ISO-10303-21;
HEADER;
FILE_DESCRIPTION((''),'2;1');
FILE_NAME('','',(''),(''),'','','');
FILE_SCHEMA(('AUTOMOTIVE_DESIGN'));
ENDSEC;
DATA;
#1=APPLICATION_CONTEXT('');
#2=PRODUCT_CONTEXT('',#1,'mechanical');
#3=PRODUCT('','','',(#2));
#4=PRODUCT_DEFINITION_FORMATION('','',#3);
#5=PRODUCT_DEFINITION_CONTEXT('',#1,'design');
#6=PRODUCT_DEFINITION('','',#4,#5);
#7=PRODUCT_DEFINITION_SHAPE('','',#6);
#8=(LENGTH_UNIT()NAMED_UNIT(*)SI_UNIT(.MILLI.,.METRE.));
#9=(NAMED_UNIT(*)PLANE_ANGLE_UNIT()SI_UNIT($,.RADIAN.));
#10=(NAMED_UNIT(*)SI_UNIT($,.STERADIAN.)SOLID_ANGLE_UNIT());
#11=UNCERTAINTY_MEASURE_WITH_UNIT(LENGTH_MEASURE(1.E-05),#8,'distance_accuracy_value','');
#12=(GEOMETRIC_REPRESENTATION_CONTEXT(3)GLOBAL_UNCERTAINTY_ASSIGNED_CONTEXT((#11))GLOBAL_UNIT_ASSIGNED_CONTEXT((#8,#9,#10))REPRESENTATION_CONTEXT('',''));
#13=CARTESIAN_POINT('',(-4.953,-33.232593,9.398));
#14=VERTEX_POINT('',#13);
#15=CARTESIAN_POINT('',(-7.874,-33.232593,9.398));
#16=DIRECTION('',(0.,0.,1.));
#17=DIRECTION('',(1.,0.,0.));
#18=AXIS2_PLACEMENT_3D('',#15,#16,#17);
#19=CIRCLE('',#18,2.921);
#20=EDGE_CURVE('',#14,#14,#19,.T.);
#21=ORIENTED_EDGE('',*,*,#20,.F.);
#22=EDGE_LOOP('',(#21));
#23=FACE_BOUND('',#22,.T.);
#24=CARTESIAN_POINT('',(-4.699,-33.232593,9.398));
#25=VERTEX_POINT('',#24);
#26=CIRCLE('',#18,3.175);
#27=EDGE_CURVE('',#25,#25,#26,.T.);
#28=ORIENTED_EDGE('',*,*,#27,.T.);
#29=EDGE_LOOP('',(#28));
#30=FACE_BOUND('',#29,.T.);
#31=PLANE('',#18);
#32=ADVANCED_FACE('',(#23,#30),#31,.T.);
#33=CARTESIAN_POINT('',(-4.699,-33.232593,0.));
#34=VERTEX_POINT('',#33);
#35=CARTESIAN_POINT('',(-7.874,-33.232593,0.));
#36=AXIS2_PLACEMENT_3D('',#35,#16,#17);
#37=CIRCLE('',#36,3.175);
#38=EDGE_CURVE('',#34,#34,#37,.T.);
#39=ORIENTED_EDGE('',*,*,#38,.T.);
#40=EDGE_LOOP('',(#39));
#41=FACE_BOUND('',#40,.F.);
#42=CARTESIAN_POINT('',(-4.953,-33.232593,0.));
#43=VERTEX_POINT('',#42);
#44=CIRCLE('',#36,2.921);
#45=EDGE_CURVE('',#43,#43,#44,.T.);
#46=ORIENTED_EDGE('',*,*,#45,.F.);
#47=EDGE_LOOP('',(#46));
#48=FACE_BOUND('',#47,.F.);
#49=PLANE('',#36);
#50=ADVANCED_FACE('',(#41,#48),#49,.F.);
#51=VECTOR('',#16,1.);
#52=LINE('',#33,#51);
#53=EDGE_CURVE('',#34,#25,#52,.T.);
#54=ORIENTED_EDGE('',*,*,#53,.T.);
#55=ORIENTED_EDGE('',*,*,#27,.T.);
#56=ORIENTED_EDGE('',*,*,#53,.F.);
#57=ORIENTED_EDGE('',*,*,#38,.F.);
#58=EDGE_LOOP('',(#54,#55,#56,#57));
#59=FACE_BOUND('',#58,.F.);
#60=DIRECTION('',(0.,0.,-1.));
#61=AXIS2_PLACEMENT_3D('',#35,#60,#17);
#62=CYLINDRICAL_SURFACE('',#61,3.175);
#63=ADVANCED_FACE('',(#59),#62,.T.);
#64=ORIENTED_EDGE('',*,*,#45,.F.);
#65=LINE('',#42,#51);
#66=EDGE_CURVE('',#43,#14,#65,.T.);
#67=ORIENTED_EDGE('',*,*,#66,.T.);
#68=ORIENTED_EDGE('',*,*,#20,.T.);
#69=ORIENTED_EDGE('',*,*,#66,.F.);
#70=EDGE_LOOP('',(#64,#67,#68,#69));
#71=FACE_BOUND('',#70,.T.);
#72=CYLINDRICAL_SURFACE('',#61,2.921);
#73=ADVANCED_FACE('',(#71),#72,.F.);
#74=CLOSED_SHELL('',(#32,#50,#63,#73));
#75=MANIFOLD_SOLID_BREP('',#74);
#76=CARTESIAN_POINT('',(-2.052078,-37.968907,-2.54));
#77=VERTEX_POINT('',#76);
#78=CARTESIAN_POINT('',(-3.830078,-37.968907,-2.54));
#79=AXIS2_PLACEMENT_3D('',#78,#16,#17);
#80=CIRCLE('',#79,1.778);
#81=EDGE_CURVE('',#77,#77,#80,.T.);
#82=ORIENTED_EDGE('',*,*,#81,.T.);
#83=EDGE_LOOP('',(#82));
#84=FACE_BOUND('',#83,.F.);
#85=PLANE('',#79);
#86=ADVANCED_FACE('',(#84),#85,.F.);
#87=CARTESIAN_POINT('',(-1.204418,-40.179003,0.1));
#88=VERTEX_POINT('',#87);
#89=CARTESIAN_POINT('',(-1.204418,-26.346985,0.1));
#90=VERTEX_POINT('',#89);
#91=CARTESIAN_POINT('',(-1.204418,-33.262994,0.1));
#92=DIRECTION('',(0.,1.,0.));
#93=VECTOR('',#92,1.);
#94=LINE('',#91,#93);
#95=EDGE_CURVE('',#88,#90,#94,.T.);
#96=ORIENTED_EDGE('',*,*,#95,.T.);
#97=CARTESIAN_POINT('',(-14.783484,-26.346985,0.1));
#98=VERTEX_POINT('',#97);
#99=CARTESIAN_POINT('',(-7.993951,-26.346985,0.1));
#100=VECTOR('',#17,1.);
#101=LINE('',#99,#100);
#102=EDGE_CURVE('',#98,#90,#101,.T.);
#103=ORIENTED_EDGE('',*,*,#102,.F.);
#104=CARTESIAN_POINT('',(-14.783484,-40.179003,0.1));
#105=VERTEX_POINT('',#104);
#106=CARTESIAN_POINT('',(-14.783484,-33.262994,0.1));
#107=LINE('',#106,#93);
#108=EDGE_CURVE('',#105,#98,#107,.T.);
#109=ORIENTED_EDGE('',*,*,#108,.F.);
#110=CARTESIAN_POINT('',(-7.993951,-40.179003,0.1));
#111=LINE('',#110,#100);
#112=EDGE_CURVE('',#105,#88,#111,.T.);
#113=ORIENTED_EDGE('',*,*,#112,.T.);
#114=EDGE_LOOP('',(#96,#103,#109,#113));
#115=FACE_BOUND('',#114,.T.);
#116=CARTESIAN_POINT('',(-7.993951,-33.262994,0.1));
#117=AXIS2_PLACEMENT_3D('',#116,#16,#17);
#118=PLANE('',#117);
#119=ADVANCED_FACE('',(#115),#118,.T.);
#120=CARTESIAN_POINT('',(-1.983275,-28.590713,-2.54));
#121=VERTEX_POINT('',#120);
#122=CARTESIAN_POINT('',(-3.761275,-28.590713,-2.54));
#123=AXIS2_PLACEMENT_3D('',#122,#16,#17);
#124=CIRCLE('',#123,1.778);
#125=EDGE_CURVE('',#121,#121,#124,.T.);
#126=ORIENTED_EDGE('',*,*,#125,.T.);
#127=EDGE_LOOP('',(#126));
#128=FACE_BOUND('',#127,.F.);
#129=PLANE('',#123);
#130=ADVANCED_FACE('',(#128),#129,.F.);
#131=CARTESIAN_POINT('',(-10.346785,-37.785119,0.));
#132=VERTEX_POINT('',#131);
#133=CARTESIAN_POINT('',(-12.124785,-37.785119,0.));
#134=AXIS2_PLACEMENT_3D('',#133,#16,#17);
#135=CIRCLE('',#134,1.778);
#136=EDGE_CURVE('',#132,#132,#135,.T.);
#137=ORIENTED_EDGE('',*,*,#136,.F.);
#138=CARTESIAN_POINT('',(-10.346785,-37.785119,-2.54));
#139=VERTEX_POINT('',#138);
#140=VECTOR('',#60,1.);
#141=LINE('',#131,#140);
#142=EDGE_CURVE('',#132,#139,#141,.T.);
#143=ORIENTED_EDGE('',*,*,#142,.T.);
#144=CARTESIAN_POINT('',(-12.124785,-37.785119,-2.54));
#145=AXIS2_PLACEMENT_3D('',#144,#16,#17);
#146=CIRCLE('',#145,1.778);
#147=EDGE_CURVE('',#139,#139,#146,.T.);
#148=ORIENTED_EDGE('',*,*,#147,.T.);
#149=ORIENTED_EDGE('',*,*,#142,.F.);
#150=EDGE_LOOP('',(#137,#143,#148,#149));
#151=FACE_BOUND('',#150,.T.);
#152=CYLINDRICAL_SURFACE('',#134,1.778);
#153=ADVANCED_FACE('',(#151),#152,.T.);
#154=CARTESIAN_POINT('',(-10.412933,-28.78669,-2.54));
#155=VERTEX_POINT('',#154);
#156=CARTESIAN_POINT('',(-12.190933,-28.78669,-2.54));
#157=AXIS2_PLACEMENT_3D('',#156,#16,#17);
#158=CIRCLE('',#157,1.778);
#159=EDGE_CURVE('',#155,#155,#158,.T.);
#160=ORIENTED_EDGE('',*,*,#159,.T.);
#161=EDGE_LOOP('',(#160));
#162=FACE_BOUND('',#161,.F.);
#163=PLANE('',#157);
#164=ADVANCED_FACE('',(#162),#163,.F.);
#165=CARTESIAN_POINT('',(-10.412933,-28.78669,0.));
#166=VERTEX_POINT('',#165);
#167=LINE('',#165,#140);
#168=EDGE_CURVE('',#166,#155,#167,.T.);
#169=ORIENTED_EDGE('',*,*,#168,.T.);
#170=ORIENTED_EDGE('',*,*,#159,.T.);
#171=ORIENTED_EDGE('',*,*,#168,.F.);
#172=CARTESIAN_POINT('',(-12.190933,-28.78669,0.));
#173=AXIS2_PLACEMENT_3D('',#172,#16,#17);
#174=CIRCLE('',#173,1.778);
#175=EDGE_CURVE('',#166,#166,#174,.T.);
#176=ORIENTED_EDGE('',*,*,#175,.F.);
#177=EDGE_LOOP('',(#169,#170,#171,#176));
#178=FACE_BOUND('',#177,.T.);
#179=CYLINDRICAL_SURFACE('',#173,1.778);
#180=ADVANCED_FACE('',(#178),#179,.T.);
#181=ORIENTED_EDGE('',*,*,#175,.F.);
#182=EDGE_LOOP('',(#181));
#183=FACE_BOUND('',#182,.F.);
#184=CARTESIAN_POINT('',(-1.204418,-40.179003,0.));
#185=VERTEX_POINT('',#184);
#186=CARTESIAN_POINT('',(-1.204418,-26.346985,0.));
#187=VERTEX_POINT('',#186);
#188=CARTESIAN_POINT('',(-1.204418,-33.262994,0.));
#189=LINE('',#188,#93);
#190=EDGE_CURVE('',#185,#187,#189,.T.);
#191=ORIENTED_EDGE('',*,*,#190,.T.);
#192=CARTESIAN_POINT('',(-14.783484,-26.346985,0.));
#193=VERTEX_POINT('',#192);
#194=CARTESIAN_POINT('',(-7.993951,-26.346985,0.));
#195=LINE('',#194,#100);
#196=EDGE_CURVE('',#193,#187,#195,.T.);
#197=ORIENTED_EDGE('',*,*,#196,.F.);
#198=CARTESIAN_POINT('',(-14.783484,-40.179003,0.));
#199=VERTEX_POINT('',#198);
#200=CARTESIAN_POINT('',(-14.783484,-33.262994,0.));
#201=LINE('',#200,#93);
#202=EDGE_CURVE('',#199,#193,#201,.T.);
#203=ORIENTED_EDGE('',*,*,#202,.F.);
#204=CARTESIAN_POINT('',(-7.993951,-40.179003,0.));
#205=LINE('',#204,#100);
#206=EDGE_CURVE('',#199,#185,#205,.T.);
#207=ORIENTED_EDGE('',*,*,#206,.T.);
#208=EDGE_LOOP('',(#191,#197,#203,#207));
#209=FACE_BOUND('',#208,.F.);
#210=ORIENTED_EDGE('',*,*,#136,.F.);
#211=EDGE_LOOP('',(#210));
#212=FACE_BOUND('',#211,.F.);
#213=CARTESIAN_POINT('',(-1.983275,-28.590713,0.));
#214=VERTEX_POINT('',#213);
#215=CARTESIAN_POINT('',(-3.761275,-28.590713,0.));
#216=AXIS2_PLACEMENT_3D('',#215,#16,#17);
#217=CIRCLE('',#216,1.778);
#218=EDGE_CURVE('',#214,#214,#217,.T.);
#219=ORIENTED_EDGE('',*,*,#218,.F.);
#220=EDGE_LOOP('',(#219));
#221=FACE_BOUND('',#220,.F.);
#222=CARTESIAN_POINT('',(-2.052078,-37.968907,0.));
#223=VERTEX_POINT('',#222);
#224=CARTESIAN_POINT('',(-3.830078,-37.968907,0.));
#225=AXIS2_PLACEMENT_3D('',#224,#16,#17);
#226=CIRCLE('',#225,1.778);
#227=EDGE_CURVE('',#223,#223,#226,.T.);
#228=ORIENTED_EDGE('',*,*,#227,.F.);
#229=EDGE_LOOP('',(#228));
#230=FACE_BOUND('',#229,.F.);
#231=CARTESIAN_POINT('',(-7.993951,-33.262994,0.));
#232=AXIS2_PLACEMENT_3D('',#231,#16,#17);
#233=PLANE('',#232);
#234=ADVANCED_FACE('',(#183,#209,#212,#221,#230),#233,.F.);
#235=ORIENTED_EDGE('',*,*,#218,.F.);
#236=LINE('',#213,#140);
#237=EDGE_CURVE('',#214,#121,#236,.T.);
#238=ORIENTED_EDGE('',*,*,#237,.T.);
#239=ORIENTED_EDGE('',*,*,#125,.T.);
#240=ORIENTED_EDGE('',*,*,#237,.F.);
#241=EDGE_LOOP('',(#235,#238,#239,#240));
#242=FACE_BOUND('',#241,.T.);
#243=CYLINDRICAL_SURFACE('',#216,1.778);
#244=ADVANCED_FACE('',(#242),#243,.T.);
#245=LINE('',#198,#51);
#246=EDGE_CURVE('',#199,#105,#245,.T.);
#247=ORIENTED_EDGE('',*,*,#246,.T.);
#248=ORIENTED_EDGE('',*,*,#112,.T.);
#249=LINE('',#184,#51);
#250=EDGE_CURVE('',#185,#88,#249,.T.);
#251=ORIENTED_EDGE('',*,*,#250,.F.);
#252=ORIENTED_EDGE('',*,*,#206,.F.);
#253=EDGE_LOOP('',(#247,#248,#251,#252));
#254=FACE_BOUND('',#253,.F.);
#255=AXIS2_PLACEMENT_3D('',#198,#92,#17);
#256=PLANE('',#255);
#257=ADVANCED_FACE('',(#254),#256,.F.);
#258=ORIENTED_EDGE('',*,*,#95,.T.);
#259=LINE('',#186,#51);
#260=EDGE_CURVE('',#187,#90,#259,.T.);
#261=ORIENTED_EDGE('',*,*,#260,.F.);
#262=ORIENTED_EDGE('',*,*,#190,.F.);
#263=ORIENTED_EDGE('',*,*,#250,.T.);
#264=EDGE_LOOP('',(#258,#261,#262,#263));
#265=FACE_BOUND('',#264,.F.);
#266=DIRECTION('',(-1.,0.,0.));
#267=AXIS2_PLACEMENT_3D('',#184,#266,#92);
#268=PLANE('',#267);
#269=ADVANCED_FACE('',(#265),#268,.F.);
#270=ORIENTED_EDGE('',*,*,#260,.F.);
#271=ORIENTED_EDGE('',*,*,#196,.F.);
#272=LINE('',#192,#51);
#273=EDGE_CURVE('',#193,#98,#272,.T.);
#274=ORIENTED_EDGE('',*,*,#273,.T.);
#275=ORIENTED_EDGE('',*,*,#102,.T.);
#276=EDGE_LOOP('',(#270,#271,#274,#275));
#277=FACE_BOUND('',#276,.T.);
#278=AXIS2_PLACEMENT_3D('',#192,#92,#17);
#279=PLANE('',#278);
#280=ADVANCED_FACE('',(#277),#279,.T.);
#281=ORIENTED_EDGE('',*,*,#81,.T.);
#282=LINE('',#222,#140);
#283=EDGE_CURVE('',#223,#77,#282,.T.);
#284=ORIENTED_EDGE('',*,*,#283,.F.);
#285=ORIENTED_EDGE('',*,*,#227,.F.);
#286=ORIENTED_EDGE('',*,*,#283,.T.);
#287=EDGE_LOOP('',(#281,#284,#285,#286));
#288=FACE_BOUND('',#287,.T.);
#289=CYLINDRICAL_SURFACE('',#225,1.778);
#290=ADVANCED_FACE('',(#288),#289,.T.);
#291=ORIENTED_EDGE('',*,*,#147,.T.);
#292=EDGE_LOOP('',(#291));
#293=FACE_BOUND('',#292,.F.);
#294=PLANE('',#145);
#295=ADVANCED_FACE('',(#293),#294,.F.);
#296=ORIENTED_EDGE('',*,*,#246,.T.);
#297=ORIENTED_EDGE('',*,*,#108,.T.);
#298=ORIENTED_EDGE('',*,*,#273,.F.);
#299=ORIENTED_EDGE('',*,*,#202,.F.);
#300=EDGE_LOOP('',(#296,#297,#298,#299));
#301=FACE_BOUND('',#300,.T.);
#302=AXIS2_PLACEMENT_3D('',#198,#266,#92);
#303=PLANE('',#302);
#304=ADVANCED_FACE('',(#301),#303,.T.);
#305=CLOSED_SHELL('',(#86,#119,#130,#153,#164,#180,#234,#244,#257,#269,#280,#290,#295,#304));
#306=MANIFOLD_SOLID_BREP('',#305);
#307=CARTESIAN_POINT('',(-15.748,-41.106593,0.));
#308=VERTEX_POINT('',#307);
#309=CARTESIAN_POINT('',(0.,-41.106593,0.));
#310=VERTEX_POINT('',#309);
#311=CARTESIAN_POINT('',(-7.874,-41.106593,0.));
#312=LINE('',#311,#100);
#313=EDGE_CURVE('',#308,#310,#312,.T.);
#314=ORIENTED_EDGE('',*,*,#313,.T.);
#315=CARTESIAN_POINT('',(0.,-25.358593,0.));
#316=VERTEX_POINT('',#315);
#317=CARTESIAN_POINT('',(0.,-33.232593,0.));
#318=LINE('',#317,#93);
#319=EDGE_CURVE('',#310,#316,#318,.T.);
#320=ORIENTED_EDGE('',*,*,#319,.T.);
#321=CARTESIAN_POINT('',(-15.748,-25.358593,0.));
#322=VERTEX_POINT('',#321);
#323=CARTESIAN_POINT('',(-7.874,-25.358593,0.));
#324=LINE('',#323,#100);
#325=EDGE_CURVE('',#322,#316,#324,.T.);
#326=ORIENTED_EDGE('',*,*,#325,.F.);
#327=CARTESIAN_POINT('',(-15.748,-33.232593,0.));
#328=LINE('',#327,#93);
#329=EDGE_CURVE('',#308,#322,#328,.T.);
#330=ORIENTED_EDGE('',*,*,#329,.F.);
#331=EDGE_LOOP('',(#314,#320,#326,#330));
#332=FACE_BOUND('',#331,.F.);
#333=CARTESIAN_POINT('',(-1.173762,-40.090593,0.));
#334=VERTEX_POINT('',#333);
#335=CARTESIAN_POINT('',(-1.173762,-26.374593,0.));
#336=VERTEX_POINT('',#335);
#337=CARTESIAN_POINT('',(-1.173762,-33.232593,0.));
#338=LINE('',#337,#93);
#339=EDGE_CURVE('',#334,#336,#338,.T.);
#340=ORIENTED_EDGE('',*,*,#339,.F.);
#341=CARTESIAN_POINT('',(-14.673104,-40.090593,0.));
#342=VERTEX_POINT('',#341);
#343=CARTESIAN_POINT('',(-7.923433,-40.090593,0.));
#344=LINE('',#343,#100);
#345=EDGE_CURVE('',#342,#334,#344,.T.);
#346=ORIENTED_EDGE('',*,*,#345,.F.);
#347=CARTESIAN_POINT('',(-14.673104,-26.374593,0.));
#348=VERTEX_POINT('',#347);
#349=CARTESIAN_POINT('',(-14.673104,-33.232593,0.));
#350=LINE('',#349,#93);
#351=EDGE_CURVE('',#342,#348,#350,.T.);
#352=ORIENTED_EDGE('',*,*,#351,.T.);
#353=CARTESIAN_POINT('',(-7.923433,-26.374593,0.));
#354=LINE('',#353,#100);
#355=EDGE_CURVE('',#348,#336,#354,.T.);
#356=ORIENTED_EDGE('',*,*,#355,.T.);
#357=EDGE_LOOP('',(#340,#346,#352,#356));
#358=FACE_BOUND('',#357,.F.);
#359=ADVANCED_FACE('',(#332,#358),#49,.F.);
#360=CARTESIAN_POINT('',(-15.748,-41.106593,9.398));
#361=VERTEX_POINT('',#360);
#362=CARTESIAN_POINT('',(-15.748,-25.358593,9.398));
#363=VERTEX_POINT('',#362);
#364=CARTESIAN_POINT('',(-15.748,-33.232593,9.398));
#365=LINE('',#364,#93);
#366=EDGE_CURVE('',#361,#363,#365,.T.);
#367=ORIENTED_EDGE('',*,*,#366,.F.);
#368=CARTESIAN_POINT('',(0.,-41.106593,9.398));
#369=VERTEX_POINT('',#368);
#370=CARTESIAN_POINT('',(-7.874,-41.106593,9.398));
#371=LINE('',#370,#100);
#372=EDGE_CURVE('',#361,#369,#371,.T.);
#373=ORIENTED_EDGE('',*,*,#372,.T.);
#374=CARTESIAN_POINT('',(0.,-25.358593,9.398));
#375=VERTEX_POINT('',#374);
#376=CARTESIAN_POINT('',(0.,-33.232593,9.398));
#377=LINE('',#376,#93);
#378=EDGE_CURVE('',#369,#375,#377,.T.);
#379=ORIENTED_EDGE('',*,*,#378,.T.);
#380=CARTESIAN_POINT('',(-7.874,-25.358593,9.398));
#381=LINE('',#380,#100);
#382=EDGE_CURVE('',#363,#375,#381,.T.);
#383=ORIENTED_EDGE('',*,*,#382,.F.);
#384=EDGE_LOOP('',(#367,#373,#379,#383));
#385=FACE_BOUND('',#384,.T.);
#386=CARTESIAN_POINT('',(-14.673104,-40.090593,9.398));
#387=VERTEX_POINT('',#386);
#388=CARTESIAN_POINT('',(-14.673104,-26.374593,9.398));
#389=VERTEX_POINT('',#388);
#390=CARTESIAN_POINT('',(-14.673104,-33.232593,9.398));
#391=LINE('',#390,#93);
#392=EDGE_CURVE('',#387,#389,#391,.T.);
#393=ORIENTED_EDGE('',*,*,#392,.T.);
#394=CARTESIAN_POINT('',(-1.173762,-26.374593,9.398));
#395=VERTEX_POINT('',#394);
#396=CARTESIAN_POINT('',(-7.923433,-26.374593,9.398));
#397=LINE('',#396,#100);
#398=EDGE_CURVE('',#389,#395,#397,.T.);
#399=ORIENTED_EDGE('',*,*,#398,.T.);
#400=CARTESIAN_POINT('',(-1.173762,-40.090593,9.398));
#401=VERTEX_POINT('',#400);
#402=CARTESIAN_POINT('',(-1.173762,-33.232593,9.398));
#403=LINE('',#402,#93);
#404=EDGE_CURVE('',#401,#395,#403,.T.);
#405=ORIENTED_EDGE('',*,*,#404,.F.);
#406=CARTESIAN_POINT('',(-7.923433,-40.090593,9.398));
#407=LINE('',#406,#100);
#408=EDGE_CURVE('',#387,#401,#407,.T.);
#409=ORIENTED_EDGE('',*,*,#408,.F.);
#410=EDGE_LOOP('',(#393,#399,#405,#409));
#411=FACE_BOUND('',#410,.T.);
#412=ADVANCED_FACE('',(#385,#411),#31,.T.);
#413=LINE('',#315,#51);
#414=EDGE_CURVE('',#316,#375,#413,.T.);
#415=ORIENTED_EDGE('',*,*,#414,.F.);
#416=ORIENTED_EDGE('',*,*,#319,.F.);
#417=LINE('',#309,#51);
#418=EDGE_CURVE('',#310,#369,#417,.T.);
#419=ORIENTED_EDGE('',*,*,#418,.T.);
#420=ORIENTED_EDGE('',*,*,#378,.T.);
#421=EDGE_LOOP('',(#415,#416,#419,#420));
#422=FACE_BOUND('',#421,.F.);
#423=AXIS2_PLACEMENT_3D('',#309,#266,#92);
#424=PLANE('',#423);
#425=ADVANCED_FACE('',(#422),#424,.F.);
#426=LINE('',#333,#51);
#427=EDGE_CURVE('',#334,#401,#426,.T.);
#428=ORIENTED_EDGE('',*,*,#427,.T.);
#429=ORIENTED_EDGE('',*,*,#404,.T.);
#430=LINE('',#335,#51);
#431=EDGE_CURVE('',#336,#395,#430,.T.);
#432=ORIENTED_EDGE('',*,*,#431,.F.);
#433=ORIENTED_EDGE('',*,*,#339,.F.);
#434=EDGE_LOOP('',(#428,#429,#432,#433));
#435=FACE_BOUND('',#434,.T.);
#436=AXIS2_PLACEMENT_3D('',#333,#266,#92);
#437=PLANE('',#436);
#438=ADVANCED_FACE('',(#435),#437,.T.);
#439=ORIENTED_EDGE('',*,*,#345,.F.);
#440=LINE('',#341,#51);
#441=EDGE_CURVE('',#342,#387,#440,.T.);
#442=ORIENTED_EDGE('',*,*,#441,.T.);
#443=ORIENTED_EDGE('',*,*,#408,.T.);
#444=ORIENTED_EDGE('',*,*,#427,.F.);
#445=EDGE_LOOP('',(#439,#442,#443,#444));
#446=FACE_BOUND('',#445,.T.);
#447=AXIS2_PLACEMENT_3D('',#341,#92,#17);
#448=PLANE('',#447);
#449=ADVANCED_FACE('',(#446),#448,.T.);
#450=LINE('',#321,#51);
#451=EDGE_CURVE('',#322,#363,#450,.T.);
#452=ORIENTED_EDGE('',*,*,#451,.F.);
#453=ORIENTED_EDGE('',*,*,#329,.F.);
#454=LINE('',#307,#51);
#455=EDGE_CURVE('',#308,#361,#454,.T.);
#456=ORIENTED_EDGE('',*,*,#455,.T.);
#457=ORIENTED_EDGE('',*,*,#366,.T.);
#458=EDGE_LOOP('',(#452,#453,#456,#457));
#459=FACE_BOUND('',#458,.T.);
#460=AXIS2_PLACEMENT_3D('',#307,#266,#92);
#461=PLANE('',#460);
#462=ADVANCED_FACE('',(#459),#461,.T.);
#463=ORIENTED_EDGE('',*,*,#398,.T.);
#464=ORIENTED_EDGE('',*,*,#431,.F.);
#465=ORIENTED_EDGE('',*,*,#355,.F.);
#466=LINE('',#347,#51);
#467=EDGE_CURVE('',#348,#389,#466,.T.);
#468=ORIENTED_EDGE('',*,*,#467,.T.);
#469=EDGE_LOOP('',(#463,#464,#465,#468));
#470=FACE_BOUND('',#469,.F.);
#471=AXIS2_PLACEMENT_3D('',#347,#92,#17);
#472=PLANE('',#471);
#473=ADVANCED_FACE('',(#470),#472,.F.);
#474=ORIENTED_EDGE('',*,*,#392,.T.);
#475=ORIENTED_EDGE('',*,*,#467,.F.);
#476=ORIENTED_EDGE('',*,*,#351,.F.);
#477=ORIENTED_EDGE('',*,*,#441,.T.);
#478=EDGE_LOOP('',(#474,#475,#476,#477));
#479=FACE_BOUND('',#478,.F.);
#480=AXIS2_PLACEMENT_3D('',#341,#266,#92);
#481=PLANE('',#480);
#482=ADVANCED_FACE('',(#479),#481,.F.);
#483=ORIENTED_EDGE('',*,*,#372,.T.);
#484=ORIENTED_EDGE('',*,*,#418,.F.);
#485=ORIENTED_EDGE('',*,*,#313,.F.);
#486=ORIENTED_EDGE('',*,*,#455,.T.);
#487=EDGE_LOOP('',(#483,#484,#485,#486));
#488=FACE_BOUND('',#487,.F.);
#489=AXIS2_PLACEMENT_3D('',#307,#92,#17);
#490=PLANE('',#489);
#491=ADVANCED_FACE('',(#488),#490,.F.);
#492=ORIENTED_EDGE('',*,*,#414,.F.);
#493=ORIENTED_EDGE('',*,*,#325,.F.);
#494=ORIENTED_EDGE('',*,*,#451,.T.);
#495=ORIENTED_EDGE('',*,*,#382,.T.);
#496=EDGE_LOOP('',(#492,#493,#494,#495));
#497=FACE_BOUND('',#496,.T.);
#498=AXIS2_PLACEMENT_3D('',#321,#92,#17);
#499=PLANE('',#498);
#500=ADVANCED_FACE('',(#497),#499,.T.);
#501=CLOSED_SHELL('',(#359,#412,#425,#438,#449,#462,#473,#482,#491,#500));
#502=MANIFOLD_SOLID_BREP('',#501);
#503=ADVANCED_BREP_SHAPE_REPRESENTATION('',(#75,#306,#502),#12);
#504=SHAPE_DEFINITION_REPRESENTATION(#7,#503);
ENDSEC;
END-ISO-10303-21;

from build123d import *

# Parameters (mm, degrees)
F0_W     = 15.748
F0_H     = 15.748
F0_W_2   = 13.499342
F0_H_2   = 13.716
F1_DEPTH = 9.398
F0_R     = 3.175
F0_R_2   = 2.921
F2_DEPTH = 9.398
F3_W     = 13.579066
F3_H     = 13.832018
F4_DEPTH = 0.1
F5_R     = 1.778
F6_DEPTH = 2.54


with BuildPart() as f1:
    # F0 (on Top) → F1 (new body)
    with BuildSketch(Plane.XY):
        with Locations((-7.874, -33.232593)):
            Rectangle(F0_W, F0_H)
        with Locations((-7.923433, -33.232593)):
            Rectangle(F0_W_2, F0_H_2, mode=Mode.SUBTRACT)
    extrude(amount=F1_DEPTH)


with BuildPart() as f2:
    # F0 (on Top) → F2 (new body)
    with BuildSketch(Plane.XY):
        with Locations((-7.874, -33.232593)):
            Circle(F0_R)
        with Locations((-7.874, -33.232593)):
            Circle(F0_R_2, mode=Mode.SUBTRACT)
    extrude(amount=F2_DEPTH)


with BuildPart() as f4:
    # F3 (on Top) → F4 (new body)
    with BuildSketch(Plane.XY):
        with Locations((-7.993951, -33.262994)):
            Rectangle(F3_W, F3_H)
    extrude(amount=F4_DEPTH)

    # F5 (on Top) → F6 (join)
    with BuildSketch(Plane.XY):
        with Locations((-3.830078, -37.968907)):
            Circle(F5_R)
        with Locations((-3.761275, -28.590713)):
            Circle(F5_R)
        with Locations((-12.190933, -28.78669)):
            Circle(F5_R)
        with Locations((-12.124785, -37.785119)):
            Circle(F5_R)
    extrude(amount=-F6_DEPTH)


solid = Compound([f1.part, f2.part, f4.part])
